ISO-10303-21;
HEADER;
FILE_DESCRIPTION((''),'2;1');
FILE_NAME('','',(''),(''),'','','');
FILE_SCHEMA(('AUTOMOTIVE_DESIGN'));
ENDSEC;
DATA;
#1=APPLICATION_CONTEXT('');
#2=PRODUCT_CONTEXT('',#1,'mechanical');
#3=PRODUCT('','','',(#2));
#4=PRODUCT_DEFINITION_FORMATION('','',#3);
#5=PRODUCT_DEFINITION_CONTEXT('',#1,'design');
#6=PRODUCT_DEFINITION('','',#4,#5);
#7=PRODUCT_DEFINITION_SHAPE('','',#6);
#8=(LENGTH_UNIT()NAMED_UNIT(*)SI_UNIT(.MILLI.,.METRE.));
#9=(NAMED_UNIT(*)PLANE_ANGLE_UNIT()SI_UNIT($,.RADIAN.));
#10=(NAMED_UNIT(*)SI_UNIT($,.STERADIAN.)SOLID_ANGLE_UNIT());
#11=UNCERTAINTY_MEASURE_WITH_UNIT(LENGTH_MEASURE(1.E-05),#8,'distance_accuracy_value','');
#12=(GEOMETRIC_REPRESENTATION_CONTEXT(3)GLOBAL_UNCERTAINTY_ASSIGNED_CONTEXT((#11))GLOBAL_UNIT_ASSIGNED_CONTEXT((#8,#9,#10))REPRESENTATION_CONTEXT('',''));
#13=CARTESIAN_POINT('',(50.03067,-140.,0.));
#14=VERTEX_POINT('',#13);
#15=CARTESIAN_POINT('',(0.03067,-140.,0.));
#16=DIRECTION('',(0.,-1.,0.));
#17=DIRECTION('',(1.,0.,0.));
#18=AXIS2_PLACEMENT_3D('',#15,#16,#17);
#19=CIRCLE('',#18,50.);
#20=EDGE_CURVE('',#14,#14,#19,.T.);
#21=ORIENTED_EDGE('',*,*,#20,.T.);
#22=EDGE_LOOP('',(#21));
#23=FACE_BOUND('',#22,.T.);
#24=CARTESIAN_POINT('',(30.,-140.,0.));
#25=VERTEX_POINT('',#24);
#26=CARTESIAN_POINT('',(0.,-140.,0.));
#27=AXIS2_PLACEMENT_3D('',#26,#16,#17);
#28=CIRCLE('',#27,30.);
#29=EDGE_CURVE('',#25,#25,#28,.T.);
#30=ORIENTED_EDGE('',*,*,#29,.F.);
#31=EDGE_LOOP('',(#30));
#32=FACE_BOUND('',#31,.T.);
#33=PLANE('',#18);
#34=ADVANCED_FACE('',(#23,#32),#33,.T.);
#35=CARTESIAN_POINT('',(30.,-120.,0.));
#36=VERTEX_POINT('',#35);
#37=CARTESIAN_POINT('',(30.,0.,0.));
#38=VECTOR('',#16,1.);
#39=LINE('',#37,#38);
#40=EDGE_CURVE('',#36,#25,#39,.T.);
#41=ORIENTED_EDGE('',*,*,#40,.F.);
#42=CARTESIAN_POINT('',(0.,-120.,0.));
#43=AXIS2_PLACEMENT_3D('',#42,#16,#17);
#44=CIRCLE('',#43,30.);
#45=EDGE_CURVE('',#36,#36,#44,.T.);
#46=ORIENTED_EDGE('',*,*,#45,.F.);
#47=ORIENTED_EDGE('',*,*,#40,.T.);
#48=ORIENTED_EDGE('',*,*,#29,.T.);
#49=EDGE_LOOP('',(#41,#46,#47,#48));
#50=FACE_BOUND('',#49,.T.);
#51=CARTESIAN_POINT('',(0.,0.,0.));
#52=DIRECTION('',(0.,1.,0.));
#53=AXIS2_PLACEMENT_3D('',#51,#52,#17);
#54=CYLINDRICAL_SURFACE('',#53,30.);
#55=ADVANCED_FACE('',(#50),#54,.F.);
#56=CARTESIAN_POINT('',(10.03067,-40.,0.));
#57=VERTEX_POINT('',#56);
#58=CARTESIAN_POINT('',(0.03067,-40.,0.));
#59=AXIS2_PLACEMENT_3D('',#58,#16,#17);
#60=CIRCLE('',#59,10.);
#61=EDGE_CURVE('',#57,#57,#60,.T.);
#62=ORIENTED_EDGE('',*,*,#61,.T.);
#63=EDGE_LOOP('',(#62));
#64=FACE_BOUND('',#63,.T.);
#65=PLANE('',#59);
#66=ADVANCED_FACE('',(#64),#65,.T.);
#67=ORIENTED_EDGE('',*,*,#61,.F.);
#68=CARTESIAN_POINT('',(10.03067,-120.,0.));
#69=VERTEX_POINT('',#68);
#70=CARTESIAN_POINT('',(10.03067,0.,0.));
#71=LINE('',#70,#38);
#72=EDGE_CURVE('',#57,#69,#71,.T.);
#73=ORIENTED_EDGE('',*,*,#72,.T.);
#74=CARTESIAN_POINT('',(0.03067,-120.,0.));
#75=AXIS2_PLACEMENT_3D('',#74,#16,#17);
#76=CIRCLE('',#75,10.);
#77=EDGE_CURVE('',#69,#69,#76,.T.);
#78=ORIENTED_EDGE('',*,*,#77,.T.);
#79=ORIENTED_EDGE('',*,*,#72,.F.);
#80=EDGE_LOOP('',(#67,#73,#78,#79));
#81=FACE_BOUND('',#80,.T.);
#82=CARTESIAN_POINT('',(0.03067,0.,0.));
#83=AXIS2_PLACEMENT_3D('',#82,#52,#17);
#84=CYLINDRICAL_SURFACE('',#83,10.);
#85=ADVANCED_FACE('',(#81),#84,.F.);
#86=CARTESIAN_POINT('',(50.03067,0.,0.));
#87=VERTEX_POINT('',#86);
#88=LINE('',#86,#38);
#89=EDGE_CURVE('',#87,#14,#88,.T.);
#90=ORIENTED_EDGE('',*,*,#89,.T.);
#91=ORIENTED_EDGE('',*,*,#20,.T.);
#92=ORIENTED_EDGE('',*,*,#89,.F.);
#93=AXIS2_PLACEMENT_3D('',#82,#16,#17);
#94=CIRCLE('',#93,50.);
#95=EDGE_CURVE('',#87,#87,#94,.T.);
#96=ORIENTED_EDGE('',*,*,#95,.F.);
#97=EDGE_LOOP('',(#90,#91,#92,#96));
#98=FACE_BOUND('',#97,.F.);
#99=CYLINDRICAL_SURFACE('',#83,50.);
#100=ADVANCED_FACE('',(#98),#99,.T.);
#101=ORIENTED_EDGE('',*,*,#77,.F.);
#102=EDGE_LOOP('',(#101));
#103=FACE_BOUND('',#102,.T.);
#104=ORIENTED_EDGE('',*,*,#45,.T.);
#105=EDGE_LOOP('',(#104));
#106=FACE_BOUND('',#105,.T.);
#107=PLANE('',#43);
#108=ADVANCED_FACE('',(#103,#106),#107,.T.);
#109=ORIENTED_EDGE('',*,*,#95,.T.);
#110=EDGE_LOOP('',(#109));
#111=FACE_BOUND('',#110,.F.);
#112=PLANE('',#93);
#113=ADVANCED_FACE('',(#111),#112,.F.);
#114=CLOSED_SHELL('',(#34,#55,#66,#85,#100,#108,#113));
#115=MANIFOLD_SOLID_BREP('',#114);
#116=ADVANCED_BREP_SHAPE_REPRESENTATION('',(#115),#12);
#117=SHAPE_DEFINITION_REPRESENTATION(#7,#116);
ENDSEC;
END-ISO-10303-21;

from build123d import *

# Parameters (mm, degrees)
F0_R     = 10
F1_DEPTH = 40
F0_R_2   = 30
F2_DEPTH = 120
F0_R_3   = 50
F3_DEPTH = 140


with BuildPart() as f1:
    # F0 (on Front) → F1 (new body)
    with BuildSketch(Plane.XZ):
        with Locations((0.03067, 0)):
            Circle(F0_R)
    extrude(amount=F1_DEPTH)

    # F0 (on Front) → F2 (join)
    with BuildSketch(Plane.XZ):
        Circle(F0_R_2)
        with Locations((0.03067, 0)):
            Circle(F0_R, mode=Mode.SUBTRACT)
    extrude(amount=F2_DEPTH)

    # F0 (on Front) → F3 (join)
    with BuildSketch(Plane.XZ):
        with Locations((0.03067, 0)):
            Circle(F0_R_3)
        Circle(F0_R_2, mode=Mode.SUBTRACT)
    extrude(amount=F3_DEPTH)


solid = f1.part
